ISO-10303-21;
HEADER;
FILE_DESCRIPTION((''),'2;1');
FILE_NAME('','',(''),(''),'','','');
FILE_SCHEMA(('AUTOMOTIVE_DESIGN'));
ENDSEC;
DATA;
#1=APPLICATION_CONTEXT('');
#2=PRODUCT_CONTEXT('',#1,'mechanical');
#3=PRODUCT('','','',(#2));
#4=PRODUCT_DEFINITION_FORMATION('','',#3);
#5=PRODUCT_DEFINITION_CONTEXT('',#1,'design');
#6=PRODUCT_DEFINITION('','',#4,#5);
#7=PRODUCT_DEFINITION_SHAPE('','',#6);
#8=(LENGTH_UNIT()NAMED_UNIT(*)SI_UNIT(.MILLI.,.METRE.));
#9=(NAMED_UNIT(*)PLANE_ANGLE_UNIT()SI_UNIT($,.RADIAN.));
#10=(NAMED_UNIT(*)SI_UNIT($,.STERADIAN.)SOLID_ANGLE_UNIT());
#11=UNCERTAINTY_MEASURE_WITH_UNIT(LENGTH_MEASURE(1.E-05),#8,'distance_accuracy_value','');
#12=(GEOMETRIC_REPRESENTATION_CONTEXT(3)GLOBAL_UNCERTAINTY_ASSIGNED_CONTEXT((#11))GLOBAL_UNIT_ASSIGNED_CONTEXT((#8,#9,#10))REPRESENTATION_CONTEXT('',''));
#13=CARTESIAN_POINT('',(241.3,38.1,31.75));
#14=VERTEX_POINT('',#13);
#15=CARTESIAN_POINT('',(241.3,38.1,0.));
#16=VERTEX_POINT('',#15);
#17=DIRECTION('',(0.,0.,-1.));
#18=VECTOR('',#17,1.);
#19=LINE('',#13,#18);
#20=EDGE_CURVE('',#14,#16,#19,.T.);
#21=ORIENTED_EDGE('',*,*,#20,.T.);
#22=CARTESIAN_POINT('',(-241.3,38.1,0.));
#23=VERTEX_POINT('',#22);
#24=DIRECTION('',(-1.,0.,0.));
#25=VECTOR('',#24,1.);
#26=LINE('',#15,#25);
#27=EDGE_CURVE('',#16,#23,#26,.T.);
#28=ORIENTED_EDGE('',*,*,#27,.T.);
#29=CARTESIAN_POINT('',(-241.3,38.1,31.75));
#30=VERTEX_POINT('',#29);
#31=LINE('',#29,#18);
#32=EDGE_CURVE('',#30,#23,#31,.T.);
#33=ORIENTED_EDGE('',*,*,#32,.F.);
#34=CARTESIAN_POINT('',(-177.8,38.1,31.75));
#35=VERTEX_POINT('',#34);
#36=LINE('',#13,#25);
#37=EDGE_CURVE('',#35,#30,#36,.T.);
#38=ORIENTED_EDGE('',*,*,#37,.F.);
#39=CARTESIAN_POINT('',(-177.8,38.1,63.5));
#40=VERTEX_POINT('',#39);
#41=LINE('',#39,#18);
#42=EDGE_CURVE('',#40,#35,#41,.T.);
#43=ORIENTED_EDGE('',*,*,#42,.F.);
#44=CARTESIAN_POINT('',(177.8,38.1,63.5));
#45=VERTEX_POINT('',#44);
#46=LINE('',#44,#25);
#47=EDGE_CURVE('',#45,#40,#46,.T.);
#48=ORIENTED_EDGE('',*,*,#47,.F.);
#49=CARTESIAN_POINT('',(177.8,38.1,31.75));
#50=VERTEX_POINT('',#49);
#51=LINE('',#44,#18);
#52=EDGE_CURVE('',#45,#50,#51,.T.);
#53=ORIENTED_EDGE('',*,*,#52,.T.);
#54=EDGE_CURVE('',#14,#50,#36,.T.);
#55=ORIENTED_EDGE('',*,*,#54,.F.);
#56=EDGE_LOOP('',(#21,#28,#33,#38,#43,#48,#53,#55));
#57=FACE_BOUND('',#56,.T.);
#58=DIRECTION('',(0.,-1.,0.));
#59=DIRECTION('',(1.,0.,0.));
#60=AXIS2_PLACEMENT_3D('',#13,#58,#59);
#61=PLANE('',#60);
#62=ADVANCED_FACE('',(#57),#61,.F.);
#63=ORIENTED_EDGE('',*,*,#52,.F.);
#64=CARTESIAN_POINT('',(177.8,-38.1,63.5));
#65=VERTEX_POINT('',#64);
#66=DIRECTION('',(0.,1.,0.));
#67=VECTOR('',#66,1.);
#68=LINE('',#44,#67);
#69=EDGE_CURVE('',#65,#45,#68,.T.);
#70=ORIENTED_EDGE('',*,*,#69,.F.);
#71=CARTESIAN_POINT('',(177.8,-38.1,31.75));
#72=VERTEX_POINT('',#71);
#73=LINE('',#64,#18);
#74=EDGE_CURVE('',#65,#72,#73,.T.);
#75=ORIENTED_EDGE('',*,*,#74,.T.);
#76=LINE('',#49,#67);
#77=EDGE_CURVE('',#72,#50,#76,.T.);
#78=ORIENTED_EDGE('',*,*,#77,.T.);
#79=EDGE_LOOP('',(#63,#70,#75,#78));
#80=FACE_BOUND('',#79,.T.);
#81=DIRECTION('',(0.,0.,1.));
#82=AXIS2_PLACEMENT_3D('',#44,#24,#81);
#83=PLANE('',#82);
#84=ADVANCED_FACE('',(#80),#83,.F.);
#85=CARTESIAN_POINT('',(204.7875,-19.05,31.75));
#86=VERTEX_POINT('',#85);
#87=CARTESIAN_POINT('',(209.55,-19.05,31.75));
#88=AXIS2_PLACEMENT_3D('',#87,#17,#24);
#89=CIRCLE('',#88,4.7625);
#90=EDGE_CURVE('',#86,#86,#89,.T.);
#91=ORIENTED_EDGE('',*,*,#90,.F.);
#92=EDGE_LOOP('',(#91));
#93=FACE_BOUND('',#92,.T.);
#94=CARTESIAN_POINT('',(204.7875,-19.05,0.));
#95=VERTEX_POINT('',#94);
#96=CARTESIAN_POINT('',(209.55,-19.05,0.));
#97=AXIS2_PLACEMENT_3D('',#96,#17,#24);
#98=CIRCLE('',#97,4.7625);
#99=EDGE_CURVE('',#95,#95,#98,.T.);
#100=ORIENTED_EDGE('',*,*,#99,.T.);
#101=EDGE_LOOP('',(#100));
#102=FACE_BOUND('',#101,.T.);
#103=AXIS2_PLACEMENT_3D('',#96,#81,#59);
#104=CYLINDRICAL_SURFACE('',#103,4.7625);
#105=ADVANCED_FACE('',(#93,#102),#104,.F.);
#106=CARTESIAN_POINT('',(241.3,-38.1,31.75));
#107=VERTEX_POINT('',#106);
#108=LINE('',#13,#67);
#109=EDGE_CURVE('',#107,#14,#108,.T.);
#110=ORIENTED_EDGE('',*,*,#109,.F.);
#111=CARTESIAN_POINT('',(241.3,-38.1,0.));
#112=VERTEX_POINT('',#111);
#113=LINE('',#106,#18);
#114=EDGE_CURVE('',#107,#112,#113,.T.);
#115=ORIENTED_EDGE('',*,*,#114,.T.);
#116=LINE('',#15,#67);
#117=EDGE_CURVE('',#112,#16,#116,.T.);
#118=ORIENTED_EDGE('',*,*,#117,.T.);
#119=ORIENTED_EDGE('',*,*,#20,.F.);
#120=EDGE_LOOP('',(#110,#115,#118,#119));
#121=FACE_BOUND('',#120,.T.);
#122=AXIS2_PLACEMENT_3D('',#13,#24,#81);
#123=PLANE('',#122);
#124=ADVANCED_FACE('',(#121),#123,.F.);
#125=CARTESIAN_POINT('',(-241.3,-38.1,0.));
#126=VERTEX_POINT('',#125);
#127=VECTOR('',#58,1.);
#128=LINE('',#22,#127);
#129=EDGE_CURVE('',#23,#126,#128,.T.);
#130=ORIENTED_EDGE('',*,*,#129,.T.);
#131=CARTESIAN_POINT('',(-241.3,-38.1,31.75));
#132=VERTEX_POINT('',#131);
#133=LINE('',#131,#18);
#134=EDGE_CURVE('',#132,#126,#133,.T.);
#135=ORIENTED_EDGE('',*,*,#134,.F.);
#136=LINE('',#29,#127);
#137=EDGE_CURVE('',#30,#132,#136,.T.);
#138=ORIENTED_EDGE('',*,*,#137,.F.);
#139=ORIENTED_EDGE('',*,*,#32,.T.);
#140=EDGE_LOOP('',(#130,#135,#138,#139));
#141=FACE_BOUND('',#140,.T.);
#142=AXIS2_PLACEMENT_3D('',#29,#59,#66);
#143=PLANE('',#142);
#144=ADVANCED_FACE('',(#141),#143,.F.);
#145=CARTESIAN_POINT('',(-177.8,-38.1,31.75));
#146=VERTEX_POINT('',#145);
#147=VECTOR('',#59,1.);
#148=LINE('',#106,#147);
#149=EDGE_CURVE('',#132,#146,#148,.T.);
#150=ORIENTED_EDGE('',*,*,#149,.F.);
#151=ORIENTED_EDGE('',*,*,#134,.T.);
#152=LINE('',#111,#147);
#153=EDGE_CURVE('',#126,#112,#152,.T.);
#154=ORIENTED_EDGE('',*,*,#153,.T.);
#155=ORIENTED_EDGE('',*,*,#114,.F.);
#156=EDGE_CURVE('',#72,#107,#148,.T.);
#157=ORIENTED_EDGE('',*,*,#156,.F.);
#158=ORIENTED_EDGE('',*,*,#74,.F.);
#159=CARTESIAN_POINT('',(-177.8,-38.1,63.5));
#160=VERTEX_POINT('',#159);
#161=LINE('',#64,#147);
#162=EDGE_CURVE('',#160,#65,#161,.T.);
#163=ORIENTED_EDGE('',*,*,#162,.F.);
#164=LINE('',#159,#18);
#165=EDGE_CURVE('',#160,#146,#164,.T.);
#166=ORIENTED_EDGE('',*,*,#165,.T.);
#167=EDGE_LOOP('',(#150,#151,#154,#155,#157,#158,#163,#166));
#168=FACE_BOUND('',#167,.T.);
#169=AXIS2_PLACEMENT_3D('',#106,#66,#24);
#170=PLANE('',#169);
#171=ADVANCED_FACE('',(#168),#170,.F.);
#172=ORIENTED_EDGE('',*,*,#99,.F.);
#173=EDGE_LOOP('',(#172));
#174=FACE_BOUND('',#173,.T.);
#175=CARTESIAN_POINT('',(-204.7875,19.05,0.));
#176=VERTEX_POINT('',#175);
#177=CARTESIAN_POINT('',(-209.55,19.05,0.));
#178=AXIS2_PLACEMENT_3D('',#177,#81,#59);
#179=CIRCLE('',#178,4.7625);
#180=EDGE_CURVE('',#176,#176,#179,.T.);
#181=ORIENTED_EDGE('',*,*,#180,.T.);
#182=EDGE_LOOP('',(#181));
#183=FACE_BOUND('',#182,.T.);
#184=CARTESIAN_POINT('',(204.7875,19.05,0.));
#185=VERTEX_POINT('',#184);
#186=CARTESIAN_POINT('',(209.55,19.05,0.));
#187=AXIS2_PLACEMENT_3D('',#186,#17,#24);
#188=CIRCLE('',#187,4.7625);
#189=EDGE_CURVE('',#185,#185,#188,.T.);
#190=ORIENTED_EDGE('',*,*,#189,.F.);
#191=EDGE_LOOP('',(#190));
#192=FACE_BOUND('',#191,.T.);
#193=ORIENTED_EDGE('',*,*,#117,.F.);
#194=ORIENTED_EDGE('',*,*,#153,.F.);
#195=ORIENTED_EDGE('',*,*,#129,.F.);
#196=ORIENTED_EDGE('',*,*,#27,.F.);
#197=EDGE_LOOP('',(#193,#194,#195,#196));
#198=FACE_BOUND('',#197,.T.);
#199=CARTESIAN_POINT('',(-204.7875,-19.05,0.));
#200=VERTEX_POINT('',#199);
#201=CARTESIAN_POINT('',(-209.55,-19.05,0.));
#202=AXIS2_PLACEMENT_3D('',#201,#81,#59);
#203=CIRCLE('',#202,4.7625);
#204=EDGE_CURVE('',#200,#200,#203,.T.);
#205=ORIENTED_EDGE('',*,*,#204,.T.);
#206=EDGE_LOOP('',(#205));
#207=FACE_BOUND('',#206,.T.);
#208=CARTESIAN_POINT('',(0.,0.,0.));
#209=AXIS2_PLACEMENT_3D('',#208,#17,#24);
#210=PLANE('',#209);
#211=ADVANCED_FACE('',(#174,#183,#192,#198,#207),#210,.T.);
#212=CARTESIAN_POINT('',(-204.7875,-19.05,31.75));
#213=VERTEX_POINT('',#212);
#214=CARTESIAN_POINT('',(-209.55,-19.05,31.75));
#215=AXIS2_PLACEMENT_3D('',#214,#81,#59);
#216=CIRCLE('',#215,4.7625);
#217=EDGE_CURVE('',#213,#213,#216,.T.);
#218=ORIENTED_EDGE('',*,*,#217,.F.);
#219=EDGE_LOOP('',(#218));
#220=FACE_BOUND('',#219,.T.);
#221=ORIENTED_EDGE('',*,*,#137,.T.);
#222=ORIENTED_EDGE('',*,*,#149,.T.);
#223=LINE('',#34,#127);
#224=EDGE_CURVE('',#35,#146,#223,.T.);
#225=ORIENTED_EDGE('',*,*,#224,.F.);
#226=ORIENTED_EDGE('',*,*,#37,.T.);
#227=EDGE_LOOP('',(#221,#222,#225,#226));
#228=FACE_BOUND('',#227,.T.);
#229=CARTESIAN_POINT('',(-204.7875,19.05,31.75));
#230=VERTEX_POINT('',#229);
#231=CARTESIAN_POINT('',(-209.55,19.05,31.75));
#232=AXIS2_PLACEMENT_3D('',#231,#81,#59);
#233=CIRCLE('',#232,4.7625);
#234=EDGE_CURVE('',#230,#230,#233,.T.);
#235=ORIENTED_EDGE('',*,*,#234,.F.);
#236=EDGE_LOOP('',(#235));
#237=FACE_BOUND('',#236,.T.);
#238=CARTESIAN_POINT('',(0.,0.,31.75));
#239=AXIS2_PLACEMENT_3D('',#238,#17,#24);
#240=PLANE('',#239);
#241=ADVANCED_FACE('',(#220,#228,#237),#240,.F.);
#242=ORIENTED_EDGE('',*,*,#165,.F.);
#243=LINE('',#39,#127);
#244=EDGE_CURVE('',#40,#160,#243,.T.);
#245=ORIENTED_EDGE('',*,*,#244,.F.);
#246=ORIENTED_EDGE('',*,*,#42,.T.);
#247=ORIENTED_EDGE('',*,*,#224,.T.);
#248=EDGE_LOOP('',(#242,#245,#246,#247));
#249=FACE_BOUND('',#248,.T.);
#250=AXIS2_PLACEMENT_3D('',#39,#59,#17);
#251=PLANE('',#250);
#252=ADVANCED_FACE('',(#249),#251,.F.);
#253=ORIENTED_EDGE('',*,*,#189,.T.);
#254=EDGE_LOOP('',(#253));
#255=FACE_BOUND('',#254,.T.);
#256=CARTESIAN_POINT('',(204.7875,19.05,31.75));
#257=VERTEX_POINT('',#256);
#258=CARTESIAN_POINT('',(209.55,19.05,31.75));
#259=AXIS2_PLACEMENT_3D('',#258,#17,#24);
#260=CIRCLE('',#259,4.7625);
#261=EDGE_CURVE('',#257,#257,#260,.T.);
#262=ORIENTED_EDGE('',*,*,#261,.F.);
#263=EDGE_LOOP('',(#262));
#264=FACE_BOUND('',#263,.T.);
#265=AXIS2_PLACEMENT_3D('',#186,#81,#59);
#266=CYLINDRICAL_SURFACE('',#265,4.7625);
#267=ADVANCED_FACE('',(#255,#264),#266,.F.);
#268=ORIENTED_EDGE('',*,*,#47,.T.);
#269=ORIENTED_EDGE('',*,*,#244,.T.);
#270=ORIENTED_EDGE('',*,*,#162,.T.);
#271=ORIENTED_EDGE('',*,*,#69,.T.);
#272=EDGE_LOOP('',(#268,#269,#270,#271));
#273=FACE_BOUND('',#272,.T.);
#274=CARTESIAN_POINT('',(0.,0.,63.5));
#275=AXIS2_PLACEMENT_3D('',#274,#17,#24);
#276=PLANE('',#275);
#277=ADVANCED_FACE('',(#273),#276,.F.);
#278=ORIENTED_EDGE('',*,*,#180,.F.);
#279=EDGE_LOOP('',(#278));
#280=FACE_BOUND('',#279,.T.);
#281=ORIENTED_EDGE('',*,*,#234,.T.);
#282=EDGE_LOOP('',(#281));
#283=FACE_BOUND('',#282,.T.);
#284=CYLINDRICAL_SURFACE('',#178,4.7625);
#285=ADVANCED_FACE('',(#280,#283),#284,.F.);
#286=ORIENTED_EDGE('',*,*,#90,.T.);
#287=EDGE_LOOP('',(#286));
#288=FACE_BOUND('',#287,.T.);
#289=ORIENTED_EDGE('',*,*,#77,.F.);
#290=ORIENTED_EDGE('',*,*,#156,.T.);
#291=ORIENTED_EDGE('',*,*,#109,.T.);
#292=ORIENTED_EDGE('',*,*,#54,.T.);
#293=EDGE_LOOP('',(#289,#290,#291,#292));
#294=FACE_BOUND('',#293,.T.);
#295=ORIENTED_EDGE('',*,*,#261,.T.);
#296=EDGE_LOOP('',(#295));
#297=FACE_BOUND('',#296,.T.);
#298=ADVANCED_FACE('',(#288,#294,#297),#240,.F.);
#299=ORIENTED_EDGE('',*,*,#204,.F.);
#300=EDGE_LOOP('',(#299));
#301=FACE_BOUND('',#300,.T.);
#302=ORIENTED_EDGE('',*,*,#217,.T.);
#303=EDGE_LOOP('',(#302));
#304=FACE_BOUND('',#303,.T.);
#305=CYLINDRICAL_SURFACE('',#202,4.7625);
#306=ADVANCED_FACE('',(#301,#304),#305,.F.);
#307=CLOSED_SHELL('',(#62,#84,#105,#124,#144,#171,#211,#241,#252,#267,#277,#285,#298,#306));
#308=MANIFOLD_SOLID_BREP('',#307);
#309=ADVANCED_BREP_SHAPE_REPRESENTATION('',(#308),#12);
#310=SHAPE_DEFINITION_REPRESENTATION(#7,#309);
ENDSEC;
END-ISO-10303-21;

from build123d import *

# Parameters (mm, degrees)
SKETCH1_W           = 482.6
SKETCH1_H           = 76.2
BOSS_EXTRUDE1_DEPTH = 31.75
SKETCH2_W           = 355.6
SKETCH2_H           = 76.2
BOSS_EXTRUDE2_DEPTH = 31.75
SKETCH3_R           = 4.7625
CUT_EXTRUDE1_DEPTH  = 247.343992214


with BuildPart() as part:
    # Sketch1 → Boss-Extrude1 (new body)
    with BuildSketch(Plane.XY):
        Rectangle(SKETCH1_W, SKETCH1_H)
    extrude(amount=BOSS_EXTRUDE1_DEPTH)

    # Sketch2 → Boss-Extrude2 (add)
    with BuildSketch(Plane.XY.offset(31.75)):
        Rectangle(SKETCH2_W, SKETCH2_H)
    extrude(amount=BOSS_EXTRUDE2_DEPTH)

    # Sketch3 → Cut-Extrude1 (cut, through all)
    with BuildSketch(Plane.XY.offset(31.75)):
        with Locations((-209.55, 19.05)):
            Circle(SKETCH3_R)
        with Locations((-209.55, -19.05)):
            Circle(SKETCH3_R)
    cut_extrude1 = extrude(amount=-CUT_EXTRUDE1_DEPTH, mode=Mode.SUBTRACT)

    # Mirror1: Cut-Extrude1 across plane
    add(cut_extrude1.mirror(Plane(origin=(0, 0, 0), x_dir=(0, 0, 1), z_dir=(1, 0, 0))), mode=Mode.SUBTRACT)


solid = part.part
